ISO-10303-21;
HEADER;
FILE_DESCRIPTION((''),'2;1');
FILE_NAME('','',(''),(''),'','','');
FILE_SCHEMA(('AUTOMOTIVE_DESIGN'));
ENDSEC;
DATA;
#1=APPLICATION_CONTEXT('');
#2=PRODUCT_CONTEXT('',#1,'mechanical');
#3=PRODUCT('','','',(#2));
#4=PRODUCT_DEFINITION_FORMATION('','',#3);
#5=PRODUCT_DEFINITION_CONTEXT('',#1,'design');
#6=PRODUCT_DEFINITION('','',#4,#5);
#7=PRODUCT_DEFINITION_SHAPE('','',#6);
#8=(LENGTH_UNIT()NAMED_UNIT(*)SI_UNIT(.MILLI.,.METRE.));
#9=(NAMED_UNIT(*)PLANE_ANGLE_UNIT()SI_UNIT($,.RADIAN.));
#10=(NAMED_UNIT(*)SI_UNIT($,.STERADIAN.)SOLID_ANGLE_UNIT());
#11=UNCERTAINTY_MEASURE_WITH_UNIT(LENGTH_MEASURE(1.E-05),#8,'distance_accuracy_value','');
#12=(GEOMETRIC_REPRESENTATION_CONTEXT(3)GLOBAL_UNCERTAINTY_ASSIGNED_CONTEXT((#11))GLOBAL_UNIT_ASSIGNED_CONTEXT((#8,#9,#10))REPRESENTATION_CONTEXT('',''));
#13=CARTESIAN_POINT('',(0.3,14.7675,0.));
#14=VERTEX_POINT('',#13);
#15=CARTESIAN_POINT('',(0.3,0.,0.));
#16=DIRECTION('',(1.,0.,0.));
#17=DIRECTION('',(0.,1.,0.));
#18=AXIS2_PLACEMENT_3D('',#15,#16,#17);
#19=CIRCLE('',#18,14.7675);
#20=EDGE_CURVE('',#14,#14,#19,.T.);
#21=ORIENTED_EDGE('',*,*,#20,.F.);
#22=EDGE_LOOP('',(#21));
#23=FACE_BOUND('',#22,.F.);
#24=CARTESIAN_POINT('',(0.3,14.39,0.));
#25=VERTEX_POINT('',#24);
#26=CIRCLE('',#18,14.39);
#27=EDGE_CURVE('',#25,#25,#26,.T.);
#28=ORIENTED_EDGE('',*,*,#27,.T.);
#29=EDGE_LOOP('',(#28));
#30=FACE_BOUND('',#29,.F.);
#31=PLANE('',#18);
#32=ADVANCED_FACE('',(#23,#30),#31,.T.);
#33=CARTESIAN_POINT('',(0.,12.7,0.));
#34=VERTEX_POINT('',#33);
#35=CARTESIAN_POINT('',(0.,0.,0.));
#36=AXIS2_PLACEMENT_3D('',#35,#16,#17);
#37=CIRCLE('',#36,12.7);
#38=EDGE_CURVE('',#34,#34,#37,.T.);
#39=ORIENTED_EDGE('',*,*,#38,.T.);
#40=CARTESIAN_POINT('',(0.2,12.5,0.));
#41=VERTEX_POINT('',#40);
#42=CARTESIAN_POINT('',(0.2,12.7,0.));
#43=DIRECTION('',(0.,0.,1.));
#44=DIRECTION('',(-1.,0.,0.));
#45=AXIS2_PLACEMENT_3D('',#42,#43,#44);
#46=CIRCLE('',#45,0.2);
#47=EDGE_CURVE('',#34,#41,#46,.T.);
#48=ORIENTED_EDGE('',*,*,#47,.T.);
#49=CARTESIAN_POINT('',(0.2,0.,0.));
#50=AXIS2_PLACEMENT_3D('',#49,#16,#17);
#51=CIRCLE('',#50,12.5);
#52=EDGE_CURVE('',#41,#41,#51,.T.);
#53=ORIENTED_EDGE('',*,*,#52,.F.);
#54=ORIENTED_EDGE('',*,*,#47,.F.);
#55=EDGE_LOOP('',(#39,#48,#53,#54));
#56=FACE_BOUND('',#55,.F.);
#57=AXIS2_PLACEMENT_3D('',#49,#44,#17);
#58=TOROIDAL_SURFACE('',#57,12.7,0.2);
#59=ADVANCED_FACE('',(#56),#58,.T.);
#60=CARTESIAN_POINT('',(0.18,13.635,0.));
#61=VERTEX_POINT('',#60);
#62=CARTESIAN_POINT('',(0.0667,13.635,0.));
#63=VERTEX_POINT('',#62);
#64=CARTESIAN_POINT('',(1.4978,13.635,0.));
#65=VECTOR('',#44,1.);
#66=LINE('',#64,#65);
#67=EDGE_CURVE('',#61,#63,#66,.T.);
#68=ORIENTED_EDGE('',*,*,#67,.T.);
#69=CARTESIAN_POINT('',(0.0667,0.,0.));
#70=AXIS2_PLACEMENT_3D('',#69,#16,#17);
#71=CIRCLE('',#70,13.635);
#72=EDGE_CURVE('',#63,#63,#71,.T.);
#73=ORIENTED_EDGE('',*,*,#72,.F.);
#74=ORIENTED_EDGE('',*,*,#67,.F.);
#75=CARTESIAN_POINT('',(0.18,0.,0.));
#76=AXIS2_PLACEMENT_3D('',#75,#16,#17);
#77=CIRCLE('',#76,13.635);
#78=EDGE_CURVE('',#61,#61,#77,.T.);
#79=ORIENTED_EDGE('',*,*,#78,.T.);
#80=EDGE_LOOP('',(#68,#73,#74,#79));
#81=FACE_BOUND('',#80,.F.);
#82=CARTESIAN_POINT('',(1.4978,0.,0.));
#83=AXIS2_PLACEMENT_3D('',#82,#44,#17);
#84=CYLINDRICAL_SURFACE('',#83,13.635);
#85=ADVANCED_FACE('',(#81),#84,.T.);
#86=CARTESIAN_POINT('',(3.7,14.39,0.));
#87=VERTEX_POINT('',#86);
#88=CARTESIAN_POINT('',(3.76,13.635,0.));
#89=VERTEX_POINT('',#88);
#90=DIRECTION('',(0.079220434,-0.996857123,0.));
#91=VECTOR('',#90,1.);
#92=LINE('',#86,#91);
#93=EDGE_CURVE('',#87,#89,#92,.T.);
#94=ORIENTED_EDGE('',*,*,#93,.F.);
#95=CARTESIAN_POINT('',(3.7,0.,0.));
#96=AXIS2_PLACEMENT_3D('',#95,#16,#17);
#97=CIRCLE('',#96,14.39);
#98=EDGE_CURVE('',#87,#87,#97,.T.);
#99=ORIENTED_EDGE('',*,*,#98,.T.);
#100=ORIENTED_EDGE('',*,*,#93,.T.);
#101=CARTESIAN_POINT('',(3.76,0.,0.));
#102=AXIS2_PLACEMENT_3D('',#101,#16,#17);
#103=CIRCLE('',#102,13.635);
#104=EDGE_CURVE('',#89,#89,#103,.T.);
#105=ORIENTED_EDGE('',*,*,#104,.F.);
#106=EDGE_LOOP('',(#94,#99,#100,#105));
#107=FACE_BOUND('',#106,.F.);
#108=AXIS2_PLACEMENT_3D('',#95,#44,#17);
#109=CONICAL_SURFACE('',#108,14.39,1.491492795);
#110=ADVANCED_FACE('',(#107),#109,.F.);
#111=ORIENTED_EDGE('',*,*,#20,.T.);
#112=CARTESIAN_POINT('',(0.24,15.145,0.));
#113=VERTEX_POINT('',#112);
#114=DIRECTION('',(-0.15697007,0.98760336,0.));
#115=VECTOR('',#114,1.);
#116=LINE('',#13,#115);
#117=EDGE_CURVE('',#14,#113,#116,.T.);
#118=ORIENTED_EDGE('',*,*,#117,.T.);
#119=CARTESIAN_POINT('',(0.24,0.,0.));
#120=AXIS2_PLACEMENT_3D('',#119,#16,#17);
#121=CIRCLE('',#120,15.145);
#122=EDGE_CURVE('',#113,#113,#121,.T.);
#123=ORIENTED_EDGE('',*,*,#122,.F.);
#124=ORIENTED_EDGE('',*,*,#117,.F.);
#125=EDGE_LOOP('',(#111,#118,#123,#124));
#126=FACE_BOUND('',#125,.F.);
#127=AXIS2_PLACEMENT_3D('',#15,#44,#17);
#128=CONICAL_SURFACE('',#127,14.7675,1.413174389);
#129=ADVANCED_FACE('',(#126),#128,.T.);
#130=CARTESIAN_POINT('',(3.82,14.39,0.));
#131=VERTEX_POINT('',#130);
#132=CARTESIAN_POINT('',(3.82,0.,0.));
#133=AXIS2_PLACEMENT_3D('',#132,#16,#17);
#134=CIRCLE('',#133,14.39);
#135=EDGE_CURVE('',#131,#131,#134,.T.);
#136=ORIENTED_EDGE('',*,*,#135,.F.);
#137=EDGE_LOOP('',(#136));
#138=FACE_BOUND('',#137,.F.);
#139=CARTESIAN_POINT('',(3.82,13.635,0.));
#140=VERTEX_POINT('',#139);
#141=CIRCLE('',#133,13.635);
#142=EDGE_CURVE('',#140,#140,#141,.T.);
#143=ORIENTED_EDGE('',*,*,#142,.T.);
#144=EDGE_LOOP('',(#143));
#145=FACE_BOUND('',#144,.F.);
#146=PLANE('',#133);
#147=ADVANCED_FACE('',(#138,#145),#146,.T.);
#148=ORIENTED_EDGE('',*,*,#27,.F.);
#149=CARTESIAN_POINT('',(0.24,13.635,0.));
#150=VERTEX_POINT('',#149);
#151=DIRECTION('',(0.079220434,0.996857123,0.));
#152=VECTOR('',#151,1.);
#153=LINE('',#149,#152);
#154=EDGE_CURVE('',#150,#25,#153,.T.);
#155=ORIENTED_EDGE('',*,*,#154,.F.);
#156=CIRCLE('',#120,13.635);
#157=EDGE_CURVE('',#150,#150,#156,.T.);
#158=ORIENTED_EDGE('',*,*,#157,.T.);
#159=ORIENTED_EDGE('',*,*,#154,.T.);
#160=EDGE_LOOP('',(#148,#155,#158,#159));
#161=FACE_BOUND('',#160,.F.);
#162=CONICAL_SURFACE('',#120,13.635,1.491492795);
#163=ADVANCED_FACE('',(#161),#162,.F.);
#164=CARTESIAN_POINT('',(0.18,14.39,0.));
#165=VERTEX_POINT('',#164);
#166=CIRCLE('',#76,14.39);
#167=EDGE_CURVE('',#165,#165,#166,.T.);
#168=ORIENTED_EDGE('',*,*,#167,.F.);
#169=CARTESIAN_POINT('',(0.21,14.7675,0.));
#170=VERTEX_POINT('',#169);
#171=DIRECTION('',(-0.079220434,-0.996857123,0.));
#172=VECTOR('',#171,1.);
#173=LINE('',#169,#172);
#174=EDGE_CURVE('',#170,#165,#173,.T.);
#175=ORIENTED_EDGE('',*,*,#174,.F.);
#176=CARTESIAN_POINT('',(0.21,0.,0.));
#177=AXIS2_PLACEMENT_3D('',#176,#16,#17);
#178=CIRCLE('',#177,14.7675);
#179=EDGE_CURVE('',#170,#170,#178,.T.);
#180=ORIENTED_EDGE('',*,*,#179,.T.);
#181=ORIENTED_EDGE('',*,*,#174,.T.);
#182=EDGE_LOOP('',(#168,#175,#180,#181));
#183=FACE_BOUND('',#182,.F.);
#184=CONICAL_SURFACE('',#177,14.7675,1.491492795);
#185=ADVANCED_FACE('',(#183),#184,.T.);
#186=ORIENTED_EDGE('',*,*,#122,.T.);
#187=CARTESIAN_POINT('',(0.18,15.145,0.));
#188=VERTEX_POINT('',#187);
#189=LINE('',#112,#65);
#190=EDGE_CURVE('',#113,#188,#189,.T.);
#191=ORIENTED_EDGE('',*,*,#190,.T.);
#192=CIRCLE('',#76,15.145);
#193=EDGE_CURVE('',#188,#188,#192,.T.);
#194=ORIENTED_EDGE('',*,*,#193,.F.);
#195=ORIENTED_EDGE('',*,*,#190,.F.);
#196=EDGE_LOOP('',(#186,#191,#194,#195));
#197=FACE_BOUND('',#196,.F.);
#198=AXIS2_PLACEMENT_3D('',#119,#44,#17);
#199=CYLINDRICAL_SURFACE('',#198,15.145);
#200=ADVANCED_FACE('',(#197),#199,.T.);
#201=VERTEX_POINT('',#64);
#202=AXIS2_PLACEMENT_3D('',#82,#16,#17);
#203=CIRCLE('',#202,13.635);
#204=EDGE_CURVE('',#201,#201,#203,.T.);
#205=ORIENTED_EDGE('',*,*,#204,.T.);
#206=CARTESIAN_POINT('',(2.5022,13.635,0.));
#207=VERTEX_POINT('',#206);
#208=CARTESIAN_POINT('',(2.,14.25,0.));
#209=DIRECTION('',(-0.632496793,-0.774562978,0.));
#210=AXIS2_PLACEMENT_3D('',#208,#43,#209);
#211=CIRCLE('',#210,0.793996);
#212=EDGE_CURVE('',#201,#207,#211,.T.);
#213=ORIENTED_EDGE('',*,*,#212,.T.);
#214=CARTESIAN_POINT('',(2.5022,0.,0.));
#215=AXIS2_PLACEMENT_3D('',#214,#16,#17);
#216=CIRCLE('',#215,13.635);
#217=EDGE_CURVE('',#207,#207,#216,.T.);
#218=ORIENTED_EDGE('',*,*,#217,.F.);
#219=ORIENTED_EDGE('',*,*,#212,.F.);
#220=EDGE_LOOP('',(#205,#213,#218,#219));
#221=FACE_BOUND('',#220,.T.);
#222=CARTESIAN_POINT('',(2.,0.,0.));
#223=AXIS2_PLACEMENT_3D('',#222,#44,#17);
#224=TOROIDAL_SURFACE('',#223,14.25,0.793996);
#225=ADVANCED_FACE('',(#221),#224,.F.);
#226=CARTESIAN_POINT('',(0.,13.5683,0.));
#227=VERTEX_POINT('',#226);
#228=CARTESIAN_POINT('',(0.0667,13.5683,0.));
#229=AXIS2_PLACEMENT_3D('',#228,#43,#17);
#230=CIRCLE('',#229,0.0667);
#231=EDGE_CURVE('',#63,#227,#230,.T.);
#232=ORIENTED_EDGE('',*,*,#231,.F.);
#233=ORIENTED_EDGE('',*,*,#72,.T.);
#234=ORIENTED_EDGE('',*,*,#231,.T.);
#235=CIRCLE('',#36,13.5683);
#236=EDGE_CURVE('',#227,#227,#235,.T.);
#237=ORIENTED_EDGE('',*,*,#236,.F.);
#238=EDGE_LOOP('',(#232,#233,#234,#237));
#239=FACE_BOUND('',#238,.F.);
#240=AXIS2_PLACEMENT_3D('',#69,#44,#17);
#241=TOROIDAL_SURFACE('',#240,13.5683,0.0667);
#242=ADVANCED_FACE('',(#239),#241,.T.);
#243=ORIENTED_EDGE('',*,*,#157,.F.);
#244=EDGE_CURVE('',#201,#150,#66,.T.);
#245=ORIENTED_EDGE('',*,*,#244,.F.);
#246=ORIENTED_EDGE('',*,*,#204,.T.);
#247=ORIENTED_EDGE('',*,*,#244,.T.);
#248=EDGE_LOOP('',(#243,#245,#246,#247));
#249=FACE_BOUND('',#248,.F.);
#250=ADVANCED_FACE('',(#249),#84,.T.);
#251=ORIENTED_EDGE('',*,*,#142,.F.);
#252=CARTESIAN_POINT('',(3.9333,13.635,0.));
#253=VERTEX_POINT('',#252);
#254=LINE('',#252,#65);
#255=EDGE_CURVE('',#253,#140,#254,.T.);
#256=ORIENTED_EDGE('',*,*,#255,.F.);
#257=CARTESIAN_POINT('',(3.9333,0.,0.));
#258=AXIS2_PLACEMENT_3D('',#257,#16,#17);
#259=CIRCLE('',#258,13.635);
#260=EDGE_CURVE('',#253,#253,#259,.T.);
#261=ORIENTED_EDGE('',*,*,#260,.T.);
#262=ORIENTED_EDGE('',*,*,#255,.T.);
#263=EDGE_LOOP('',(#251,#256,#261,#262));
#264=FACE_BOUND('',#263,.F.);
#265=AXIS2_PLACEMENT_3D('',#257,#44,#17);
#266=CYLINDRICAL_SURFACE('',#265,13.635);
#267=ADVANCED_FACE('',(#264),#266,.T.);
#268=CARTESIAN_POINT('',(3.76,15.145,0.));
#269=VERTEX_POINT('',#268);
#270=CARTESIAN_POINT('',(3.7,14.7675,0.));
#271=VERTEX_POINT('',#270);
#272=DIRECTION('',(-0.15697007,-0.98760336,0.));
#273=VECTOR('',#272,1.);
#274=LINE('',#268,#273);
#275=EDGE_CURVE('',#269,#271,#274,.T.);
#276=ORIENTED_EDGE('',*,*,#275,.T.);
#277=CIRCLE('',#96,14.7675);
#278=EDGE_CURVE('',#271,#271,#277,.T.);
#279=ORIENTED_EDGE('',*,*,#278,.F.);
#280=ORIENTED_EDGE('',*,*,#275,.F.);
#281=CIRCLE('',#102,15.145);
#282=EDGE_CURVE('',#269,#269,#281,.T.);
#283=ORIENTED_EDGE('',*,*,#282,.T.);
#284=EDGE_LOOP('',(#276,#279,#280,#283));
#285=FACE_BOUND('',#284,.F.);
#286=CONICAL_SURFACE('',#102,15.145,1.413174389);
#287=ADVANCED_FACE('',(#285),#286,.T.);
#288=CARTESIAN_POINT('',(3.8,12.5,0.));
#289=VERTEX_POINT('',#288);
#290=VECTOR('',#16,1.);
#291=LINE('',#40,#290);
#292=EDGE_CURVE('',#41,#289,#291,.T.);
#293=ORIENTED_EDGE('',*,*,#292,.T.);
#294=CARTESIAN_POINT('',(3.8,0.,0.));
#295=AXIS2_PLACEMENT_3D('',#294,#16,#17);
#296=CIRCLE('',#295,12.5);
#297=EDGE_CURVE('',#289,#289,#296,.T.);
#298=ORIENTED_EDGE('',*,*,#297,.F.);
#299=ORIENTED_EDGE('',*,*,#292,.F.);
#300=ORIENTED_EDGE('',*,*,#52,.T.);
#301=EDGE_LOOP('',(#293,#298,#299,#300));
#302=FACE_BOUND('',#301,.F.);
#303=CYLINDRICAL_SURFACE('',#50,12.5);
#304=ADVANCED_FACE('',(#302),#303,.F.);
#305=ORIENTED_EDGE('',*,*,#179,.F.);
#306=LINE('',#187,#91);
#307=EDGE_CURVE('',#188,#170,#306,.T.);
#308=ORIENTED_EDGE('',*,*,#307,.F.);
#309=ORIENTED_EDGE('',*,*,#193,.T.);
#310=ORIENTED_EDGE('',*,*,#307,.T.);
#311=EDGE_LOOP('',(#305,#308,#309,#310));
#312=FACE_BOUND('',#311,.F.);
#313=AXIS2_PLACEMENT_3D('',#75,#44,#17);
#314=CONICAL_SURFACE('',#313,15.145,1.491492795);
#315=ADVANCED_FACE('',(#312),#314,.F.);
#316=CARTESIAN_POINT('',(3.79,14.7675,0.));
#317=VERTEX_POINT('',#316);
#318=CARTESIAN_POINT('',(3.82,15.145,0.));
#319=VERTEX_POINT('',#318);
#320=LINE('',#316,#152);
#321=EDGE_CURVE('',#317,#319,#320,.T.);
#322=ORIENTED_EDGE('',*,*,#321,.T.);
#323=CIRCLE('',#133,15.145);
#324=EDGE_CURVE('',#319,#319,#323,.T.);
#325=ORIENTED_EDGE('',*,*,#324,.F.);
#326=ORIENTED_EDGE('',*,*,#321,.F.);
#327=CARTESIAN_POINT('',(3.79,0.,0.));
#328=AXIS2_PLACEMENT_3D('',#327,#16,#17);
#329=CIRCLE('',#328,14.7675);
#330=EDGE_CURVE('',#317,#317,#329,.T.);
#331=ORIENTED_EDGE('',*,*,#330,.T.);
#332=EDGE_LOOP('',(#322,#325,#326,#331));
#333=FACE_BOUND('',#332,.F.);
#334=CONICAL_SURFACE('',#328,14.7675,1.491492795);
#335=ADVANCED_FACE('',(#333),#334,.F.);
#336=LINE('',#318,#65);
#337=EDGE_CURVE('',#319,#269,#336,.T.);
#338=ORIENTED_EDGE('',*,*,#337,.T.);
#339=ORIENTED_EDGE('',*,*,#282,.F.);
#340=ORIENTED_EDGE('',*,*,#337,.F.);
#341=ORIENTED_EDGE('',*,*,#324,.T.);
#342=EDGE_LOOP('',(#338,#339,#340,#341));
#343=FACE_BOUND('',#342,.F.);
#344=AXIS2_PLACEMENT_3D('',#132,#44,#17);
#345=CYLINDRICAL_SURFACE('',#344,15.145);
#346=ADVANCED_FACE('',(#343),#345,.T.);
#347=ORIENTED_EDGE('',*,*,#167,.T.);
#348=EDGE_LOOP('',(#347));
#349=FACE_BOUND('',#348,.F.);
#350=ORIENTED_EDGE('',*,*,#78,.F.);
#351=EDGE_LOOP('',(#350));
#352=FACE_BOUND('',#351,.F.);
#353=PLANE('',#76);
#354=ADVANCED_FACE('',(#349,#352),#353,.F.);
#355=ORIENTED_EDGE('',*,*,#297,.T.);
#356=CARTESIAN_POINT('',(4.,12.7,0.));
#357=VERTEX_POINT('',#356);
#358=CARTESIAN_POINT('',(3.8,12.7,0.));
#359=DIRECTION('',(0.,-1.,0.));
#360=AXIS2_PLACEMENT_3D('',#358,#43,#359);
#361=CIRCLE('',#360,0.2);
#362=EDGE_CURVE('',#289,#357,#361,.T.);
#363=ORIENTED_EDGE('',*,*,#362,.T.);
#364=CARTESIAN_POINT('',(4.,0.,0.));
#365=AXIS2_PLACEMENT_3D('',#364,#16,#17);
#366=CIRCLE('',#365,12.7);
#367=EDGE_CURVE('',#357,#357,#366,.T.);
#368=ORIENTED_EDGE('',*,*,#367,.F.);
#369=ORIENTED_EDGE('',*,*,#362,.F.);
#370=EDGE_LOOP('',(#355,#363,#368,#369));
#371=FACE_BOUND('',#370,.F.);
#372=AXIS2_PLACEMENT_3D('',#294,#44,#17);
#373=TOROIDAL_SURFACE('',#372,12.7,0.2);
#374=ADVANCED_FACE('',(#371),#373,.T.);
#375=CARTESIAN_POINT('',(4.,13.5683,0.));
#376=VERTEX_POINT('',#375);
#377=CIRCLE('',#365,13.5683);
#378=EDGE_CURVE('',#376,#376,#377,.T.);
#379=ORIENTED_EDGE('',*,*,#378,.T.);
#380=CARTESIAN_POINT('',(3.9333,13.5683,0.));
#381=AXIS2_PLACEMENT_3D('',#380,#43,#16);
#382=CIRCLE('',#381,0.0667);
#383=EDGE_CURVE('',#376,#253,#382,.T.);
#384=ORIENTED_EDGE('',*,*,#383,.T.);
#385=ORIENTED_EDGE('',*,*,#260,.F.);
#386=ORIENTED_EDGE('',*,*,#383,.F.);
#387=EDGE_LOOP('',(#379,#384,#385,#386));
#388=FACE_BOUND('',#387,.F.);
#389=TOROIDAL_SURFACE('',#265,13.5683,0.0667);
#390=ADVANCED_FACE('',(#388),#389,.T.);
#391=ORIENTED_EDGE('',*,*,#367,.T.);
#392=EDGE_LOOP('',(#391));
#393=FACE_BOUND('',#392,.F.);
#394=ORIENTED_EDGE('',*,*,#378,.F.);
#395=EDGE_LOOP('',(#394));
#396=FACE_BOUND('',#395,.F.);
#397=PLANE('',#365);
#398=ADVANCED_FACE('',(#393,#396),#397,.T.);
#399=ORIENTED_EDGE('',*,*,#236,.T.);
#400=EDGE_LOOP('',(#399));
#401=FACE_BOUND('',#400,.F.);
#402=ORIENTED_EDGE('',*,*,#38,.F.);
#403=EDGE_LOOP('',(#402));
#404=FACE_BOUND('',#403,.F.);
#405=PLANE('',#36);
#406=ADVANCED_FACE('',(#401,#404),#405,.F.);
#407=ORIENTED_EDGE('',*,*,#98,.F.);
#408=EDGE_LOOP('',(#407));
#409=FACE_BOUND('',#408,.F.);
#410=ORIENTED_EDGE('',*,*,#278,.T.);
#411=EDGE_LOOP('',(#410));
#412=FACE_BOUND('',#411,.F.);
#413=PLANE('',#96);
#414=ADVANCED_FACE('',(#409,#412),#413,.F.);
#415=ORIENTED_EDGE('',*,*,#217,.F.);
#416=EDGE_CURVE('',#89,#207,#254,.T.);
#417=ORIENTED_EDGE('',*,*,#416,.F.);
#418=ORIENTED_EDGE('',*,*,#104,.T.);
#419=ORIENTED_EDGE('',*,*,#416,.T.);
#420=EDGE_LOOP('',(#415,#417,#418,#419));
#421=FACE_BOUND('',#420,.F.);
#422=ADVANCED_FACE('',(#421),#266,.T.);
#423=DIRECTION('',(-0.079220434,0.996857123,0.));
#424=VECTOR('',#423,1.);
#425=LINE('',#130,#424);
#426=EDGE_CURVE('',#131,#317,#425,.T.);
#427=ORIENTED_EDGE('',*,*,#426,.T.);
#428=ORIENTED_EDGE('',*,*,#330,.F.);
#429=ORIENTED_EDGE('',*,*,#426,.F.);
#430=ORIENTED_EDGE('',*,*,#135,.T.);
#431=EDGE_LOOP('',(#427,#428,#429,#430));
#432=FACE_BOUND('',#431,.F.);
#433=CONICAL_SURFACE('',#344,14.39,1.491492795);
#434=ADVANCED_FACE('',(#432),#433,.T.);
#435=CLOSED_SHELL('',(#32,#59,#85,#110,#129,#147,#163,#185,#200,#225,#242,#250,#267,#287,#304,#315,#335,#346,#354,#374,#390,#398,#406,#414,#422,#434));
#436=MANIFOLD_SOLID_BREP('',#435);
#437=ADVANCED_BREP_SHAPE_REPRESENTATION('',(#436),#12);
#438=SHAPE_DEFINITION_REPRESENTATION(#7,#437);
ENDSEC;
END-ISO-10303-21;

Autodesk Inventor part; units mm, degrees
ref_plane "YZ Plane" through (0, 0, 0) normal (1, 0, 0) x (0, 1, 0)
ref_plane "XZ Plane" through (0, 0, 0) normal (0, 1, 0) x (-1, 0, 0)
ref_plane "XY Plane" through (0, 0, 0) normal (0, 0, 1) x (1, 0, 0)
sketch "Sketch_58" plane through (0, 0, 0) normal (0, 0, 1) x (1, 0, 0)
  line L0 (50, 0) -> (-50, 0)
  line L1 (0, 13.5683) -> (0, 12.7)
  arc A0 (0, 12.7) -> (0.2, 12.5) centre (0.2, 12.7) ccw
  line L2 (0.2, 12.5) -> (3.8, 12.5)
  arc A1 (3.8, 12.5) -> (4, 12.7) centre (3.8, 12.7) ccw
  line L3 (4, 12.7) -> (4, 13.5683)
  arc A2 (4, 13.5683) -> (3.9333, 13.635) centre (3.9333, 13.5683) ccw
  line L4 (3.9333, 13.635) -> (2.5022, 13.635)
  arc A3 (1.4978, 13.635) -> (2.5022, 13.635) centre (2, 14.25) ccw
  line L5 (1.4978, 13.635) -> (0.0667, 13.635)
  arc A4 (0.0667, 13.635) -> (0, 13.5683) centre (0.0667, 13.5683) ccw
revolve "Revolution1" add sketch "Sketch_58" angle 360 about axis through (50, 0, 0) along (1, 0, 0)
sketch "Sketch_60" plane through (0, 0, 0) normal (0, 0, 1) x (1, 0, 0)
  line L0 (50, 0) -> (-50, 0)
  line L1 (0.18, 15.145) -> (0.21, 14.7675)
  line L2 (0.21, 14.7675) -> (0.18, 14.39)
  line L3 (0.18, 14.39) -> (0.18, 13.635)
  line L4 (0.18, 13.635) -> (0.24, 13.635)
  line L5 (0.24, 13.635) -> (0.3, 14.39)
  line L6 (0.3, 14.39) -> (0.3, 14.7675)
  line L7 (0.3, 14.7675) -> (0.24, 15.145)
  line L8 (0.24, 15.145) -> (0.18, 15.145)
revolve "Revolution2" add sketch "Sketch_60" angle 360 about axis through (50, 0, 0) along (1, 0, 0)
sketch "Sketch_61" plane through (0, 0, 0) normal (0, 0, 1) x (1, 0, 0)
  line L0 (50, 0) -> (-50, 0)
  line L1 (3.7, 14.39) -> (3.76, 13.635)
  line L2 (3.76, 13.635) -> (3.82, 13.635)
  line L3 (3.82, 13.635) -> (3.82, 14.39)
  line L4 (3.82, 14.39) -> (3.79, 14.7675)
  line L5 (3.79, 14.7675) -> (3.82, 15.145)
  line L6 (3.82, 15.145) -> (3.76, 15.145)
  line L7 (3.76, 15.145) -> (3.7, 14.7675)
  line L8 (3.7, 14.7675) -> (3.7, 14.39)
revolve "Revolution3" add sketch "Sketch_61" angle 360 about axis through (50, 0, 0) along (1, 0, 0)
properties part number "W 61705-2RZ_PART1" material "Stainless Steel"
